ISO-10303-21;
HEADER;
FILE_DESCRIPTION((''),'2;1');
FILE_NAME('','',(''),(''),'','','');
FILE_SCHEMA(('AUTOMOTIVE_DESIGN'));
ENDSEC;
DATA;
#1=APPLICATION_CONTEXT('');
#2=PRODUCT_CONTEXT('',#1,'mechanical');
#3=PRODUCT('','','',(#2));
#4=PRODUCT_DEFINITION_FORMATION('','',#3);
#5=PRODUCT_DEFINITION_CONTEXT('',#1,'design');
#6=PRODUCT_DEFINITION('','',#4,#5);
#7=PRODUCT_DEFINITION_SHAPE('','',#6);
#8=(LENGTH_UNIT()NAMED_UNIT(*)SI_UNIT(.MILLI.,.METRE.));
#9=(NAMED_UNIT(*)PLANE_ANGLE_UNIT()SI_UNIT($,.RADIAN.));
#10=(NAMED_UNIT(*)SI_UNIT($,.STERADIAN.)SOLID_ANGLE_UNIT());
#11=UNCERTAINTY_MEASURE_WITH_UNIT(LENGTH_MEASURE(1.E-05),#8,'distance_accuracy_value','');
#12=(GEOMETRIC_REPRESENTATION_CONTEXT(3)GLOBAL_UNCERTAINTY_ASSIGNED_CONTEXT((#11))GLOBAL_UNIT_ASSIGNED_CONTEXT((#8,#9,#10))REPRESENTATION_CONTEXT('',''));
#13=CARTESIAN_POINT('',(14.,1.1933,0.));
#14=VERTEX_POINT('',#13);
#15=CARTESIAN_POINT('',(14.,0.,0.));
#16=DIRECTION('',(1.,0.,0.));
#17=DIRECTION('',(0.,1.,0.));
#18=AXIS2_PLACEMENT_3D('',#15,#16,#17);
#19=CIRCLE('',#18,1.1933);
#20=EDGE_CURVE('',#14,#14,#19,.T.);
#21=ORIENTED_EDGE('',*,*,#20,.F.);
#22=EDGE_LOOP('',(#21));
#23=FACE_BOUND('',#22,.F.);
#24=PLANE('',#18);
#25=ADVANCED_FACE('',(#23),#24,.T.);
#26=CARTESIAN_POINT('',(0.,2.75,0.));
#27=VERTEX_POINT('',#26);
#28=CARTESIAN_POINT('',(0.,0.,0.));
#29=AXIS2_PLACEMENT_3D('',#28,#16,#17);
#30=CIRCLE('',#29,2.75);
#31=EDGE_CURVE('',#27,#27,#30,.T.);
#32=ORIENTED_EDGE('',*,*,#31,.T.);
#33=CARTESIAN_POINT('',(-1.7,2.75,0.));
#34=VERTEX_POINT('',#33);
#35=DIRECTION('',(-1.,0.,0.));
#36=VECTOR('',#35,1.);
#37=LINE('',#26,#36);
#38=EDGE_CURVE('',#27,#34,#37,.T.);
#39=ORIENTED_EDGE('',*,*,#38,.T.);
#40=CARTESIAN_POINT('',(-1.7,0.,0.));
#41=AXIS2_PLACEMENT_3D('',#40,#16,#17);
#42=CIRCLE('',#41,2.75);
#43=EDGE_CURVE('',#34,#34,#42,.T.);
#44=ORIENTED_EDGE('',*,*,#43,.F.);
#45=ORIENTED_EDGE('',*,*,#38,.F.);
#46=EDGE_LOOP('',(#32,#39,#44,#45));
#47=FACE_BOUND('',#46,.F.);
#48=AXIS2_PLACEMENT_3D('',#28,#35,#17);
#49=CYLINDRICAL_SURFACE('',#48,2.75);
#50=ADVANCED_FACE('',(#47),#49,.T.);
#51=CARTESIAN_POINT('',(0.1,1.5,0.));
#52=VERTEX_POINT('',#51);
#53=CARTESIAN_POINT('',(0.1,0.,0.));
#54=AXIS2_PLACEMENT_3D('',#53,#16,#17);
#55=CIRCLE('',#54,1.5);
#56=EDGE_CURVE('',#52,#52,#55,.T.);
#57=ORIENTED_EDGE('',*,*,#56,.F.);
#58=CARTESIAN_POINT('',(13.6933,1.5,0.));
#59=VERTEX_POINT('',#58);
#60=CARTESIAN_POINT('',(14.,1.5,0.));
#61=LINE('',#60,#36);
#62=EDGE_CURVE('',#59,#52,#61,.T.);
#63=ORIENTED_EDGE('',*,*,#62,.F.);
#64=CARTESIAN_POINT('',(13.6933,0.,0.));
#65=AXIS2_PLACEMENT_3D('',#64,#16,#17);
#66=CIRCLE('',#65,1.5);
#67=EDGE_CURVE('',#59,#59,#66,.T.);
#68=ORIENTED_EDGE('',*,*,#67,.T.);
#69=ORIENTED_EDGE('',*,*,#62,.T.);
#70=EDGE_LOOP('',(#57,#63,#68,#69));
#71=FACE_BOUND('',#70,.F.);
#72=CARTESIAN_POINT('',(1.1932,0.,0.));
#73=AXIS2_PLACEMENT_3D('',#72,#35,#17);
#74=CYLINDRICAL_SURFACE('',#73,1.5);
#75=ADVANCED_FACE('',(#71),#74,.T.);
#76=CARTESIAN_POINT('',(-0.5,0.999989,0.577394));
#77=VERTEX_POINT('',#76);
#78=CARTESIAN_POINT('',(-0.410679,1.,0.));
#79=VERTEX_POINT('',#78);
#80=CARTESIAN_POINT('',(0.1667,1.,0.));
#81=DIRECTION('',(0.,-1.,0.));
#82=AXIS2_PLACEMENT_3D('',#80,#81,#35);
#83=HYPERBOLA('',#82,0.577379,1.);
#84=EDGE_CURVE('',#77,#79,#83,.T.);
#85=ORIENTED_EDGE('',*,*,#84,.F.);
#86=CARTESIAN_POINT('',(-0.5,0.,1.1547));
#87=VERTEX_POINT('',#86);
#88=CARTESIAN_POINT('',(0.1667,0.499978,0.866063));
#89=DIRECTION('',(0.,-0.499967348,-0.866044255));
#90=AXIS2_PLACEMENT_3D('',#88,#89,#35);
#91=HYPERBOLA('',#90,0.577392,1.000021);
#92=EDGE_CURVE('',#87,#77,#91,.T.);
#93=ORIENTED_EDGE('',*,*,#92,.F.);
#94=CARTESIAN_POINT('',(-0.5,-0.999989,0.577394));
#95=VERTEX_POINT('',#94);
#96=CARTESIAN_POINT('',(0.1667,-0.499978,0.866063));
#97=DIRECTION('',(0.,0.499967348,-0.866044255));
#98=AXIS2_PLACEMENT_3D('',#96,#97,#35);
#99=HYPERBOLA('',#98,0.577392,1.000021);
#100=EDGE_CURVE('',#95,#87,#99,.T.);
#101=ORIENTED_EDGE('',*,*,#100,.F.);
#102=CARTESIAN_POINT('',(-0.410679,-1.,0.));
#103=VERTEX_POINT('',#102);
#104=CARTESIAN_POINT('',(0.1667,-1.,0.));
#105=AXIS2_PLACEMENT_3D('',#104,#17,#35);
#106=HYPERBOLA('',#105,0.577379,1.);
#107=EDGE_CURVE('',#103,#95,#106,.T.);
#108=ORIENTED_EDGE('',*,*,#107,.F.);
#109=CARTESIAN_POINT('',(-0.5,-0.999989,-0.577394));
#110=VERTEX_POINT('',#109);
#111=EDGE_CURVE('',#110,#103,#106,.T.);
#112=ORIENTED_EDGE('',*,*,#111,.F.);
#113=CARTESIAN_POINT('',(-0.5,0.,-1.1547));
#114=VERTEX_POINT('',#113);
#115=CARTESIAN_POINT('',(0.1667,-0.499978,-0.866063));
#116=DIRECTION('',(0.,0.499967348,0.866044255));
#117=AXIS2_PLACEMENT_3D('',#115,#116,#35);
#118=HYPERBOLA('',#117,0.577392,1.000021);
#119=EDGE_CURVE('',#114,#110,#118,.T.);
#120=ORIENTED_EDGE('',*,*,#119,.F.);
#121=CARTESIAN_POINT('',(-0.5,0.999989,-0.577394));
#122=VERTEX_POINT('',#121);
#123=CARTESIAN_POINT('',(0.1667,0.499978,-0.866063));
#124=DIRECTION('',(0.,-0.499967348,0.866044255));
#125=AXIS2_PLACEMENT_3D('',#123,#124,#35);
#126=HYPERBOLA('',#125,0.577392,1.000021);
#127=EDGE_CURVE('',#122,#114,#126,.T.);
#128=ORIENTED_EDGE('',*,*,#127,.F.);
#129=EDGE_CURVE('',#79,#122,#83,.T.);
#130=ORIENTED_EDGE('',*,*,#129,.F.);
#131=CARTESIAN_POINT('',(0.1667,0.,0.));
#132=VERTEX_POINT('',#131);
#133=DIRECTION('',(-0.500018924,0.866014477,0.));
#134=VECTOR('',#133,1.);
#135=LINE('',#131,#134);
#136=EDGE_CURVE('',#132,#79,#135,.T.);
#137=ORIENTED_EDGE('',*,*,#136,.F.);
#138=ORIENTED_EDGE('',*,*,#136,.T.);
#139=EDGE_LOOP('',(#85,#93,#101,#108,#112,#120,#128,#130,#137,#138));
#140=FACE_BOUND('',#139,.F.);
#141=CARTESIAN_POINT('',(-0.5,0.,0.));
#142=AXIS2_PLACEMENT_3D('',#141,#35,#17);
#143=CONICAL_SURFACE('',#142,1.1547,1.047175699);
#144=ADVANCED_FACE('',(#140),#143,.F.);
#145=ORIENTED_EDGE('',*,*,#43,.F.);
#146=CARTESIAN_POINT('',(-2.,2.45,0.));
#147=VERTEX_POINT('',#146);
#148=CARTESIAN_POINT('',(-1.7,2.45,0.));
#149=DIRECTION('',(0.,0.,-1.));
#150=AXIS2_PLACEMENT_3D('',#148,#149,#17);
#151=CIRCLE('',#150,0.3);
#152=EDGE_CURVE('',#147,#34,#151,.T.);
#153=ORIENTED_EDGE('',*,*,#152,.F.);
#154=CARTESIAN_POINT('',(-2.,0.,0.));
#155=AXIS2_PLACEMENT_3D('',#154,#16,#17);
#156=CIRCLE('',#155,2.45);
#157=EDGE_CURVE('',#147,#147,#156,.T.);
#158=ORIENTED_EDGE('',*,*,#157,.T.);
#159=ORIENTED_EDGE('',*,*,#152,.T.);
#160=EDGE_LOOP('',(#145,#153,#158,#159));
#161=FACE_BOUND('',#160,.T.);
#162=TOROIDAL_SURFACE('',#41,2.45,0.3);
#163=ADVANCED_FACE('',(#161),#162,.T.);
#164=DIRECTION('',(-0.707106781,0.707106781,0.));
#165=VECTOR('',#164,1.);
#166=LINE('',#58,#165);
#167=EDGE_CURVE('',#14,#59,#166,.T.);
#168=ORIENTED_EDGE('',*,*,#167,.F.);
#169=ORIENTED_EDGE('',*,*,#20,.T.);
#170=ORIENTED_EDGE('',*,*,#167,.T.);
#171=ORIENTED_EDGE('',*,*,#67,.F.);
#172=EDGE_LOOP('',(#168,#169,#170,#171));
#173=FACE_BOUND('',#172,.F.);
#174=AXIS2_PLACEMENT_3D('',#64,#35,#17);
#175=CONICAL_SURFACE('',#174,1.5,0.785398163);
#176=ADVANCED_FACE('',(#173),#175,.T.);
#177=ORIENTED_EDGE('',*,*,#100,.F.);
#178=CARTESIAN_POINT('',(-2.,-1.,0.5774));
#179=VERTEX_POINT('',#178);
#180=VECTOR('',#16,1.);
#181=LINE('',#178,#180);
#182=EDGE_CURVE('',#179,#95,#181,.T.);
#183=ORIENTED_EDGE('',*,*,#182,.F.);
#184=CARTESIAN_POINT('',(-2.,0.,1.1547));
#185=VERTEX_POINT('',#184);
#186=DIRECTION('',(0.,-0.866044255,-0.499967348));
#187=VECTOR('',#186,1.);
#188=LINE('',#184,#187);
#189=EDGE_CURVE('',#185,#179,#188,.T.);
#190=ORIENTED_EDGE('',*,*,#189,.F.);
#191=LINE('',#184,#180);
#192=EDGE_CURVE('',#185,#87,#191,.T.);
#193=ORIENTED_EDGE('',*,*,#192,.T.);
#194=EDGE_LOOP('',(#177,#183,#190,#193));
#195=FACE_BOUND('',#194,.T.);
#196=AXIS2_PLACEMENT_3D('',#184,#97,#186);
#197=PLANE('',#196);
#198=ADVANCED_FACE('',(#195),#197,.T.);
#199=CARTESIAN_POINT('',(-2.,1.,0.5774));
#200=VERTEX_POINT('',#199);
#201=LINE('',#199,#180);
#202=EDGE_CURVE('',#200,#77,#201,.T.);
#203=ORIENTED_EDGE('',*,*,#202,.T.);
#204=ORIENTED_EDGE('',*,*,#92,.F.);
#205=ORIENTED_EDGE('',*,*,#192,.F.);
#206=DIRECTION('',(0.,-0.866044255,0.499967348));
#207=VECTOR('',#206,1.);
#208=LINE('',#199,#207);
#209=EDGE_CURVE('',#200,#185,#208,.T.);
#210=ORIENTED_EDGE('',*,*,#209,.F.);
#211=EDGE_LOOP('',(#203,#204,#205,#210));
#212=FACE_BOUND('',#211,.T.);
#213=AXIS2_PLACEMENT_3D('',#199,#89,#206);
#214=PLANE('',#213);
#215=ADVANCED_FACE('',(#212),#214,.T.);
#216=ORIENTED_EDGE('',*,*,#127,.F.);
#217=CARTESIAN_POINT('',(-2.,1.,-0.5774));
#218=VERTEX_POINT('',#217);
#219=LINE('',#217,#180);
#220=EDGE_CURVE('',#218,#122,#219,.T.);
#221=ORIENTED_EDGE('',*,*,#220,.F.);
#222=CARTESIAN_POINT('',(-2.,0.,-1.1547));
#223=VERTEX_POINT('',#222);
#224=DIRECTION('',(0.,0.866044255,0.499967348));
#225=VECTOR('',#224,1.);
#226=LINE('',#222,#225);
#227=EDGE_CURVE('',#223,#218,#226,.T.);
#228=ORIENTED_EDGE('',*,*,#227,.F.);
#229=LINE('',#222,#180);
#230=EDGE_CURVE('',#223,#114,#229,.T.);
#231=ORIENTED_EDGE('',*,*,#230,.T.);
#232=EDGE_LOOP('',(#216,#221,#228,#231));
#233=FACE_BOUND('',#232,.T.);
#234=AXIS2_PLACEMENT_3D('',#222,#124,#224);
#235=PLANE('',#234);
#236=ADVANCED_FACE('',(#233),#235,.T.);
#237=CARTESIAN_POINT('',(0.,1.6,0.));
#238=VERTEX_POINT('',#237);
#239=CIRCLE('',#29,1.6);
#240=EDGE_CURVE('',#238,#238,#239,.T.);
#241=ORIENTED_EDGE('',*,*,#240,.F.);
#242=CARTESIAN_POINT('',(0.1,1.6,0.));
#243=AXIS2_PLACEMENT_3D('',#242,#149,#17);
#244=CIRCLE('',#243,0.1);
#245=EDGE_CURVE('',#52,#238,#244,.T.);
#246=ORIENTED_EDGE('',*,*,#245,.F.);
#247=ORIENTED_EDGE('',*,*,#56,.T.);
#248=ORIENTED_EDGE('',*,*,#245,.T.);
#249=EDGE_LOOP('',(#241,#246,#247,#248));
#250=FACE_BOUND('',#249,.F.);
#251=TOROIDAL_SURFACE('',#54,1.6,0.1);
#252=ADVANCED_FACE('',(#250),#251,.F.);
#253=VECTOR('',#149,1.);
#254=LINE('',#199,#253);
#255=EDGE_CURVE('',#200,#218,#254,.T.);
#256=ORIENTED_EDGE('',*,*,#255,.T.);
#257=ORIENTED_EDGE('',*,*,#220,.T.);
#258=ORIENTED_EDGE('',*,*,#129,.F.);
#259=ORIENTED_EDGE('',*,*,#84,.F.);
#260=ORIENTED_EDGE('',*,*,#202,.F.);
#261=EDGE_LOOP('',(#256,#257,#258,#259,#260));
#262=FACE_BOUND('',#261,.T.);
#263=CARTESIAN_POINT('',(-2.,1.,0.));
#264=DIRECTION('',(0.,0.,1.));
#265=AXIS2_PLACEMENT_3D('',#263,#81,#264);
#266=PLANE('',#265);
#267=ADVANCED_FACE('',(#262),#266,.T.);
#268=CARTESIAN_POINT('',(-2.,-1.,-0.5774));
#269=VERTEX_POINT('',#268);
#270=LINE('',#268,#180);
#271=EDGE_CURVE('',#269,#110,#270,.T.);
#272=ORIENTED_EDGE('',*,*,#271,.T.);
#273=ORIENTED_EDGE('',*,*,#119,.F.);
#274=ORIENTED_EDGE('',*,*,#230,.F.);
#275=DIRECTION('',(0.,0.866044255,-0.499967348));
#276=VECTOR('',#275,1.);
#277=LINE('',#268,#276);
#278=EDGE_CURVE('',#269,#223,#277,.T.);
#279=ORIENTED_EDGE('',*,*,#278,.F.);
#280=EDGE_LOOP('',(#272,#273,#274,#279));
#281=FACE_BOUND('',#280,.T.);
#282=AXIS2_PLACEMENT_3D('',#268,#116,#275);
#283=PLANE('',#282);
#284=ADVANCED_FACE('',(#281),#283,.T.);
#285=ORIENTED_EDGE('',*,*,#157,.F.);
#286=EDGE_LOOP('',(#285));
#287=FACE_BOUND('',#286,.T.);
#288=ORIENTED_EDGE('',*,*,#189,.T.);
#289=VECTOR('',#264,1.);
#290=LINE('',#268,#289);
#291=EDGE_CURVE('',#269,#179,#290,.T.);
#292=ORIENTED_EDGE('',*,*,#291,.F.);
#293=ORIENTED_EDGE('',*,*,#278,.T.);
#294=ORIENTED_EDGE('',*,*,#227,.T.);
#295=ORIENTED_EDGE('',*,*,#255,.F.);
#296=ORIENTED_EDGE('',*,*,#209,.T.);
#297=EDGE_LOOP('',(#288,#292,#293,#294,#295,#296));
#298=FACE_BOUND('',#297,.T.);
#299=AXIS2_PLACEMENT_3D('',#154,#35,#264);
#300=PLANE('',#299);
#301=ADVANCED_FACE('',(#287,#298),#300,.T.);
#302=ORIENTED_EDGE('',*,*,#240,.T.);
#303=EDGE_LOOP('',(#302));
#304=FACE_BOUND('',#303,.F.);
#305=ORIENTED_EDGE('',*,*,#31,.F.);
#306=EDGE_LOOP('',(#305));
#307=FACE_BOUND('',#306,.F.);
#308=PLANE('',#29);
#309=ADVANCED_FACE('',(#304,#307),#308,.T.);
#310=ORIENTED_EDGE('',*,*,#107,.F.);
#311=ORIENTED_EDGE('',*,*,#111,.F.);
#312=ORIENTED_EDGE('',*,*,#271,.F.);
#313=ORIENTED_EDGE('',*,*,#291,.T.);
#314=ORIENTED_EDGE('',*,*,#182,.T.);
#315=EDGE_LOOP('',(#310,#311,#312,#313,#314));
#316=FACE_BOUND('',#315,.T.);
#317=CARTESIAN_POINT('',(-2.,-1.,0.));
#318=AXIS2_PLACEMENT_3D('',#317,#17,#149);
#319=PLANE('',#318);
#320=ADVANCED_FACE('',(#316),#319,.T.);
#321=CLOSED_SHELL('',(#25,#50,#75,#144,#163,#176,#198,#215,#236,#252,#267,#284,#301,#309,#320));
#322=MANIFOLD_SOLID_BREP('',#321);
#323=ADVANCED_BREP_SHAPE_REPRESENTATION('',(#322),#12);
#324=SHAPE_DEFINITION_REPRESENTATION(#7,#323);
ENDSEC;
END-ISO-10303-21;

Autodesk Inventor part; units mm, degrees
ref_plane "YZ Plane" through (0, 0, 0) normal (1, 0, 0) x (0, 1, 0)
ref_plane "XZ Plane" through (0, 0, 0) normal (0, 1, 0) x (-1, 0, 0)
sketch "Szkic1" plane through (0, 0, 0) normal (0, 0, 1) x (1, 0, 0)
  line L0 (0.1667, 0) -> (14, 0)
  line L1 (14, 0) -> (14, 1.5)
  line L2 (14, 1.5) -> (1.5, 1.5)
  line L3 (1.5, 1.5) -> (1.1932, 1.5)
  line L4 (1.1932, 1.5) -> (0, 1.5)
  line L5 (0, 1.5) -> (0, 2.75)
  line L6 (0, 2.75) -> (-2, 2.75)
  line L7 (-2, 2.75) -> (-2, 1.1547)
  line L8 (-2, 1.1547) -> (-0.5, 1.1547)
  line L9 (-0.5, 1.1547) -> (0.1667, 0)
  line L10 (-5.2, 0) -> (17.2, 0) projected
  line L11 (0, -0.55) -> (0, 3.3) projected
  line L12 (1.5, 1.5) -> (0, 1.5) construction
  dimension "d1" = 12.5
  dimension "d2" = 0.3068
  dimension "d3" = 2
  dimension "d4" = 1.5
  dimension "d5" = 60
  dimension "d6" = 3
  dimension "d7" = 3
  dimension "d8" = 2.3094
  dimension "d9" = 5.5
  dimension "d26" = 14
revolve "Bryła" add sketch "Szkic1" angle 360 about axis through (0.1667, 0, 0) along (1, 0, 0) contours L9 L11 L4 L3 L2 L1 L0 | L9 L8 L7 L6 L5 L11
sketch "Szkic2" plane through (-2, 0, 0) normal (-1, 0, 0) x (0, 0, 1)
  circle A0 centre (0, 0) radius 1.1547 projected
  line L0 (0, -3.85) -> (0, 3.85) projected
  line L1 (-3.85, 0) -> (3.85, 0) projected
  line L2 (1.1547, 0) -> (0.5774, -1)
  line L3 (0.5774, -1) -> (-0.5774, -1)
  line L4 (-0.5774, -1) -> (-1.1547, 0)
  line L5 (-1.1547, 0) -> (-0.5774, 1)
  line L6 (-0.5774, 1) -> (0.5774, 1)
  line L7 (0.5774, 1) -> (1.1547, 0)
  point P0 (0, 0)
extrude "Szczelina" add sketch "Szkic2" against normal up to next contours L7 A0 | A0 L2 | L6 L0 A0 | A0 L0 L3 | L0 L6 A0 | A0 L3 L0 | L4 A0 | A0 L5
fillet "Zaokrąglenie1" radius 0.3 1 edges at (-2, -2.75, 0)
thread "Gwint" size "M3x0.5" class "6g" standard "ISO Metric profile" length 12.5
chamfer "Faza1" distance 0.3067 distance2 0.3067 1 edges at (14, -1.5, 0) measured on face at (14, -0.6587, -0.1791)
ref_plane "Work Plane1" through (29, 0, 0) normal (0, -1, 0) x (1, 0, 0)
fillet "Fillet2" radius 0.1 1 edges at (0, -1.5, 0)
equation "\"d1\" = GEL"
equation "\"d3\" = KOH"
equation "\"d4\" = INTI"
equation "\"d6\" = GD"
equation "\"d7\" = BDM"
equation "\"d8\" = 1.1547 * SW"
equation "\"d9\" = KOD"
equation "\"d26\" = NLG"
equation "\"d30\" = R"
equation "\"d17\" = RR"
equation "\"d13\" = GEL"
equation "\"d15\" = -0.5 * SPD + 0.5 * GD"
equation "\"d16\" = GUL"
equation "\"GD\" = NND"
equation "\"NLG\" = 14"
equation "\"GEL\" = 12.5"
equation "\"KOD\" = 5.5"
equation "\"KOH\" = 2"
equation "\"INTI\" = 1.5"
equation "\"GAL\" = 0.61345 * PTC"
equation "\"GUL\" = 0.61345 * PTC"
equation "\"BDM\" = NND"
equation "\"SW\" = 2"
equation "\"RR\" = 0.3"
equation "\"SPD\" = NND - 1.2269 * PTC"
equation "\"R\" = 0.1"
equation "\"TOA\" = 30deg"
equation "\"GD1\" = THREADDIA - 1.2269 * PTC"
equation "\"THREADDIA\" = 3"
equation "\"FAWI\" = 45deg"
equation "\"ANG\" = 120deg"
equation "\"PTC\" = 0.5"
equation "\"NND\" = 3"
equation "\"E0\" = 1.155 * SW"
properties part number "DIN 7984 - M3 x 14" material "Stal, miękka"
